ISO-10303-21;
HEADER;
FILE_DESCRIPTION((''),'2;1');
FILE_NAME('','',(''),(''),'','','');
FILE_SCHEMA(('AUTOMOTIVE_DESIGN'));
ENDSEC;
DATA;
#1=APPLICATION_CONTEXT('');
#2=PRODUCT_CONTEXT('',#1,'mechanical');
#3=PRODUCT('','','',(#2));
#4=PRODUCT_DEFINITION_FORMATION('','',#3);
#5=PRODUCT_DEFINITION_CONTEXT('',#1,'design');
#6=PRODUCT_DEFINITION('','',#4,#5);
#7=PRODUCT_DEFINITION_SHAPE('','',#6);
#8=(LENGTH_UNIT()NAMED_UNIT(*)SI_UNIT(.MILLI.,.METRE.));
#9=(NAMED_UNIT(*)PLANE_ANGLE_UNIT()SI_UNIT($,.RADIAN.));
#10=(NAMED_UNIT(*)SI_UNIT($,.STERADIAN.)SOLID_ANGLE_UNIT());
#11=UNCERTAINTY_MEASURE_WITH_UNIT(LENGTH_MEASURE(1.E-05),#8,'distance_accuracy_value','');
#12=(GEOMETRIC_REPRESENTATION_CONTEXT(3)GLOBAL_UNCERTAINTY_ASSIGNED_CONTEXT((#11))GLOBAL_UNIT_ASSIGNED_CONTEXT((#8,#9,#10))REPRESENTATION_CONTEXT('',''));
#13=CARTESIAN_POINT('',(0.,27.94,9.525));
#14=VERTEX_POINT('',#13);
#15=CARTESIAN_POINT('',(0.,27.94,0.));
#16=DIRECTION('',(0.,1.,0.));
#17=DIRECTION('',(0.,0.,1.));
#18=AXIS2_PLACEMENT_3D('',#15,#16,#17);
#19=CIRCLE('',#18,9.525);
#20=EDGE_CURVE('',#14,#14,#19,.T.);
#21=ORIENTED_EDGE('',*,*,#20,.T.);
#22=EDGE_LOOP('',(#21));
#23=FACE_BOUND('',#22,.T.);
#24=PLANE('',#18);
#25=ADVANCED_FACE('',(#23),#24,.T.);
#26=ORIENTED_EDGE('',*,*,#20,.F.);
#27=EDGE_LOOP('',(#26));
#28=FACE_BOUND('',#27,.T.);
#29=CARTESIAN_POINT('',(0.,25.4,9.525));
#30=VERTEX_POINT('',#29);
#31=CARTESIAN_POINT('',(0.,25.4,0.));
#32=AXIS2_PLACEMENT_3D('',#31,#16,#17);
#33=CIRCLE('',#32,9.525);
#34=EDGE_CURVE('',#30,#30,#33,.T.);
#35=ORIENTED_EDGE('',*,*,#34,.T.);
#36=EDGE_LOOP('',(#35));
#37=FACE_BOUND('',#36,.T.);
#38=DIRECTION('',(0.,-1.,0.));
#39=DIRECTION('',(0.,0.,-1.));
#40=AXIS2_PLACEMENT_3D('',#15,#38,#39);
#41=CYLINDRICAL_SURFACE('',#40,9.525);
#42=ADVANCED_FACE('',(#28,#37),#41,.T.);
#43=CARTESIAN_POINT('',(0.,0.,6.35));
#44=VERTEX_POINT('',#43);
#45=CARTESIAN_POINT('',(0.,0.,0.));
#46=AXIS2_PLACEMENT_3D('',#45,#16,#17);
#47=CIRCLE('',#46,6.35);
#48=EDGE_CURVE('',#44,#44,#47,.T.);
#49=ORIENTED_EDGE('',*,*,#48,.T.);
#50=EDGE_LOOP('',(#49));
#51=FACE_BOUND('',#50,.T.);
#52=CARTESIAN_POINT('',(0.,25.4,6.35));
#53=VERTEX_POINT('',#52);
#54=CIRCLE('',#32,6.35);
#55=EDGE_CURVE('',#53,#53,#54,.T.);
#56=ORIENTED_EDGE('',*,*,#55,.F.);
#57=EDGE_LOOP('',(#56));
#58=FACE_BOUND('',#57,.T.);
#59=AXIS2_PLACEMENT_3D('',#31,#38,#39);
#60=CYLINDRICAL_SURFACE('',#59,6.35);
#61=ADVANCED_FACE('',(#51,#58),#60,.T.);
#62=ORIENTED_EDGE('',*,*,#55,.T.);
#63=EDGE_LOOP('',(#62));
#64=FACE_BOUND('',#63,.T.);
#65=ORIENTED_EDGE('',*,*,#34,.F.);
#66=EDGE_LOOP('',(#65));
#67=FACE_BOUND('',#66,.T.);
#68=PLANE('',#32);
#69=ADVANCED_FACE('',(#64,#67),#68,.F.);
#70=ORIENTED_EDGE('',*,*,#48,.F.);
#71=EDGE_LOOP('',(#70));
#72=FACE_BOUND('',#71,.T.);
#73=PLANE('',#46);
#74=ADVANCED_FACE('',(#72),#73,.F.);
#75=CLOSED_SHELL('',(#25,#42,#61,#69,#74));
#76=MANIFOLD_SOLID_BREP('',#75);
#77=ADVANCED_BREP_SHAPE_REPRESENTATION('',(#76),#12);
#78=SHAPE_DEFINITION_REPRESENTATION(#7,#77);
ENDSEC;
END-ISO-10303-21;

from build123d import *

# Parameters (mm, degrees)
SKETCH1_R           = 6.35
BOSS_EXTRUDE1_DEPTH = 25.4
SKETCH2_R           = 9.525
BOSS_EXTRUDE2_DEPTH = 2.54


with BuildPart() as part:
    # Sketch1 → Boss-Extrude1 (new body)
    with BuildSketch(Plane(origin=(0, 0, 0), x_dir=(1, 0, 0), z_dir=(0, 1, 0))):
        Circle(SKETCH1_R)
    extrude(amount=BOSS_EXTRUDE1_DEPTH)

    # Sketch2 → Boss-Extrude2 (add)
    with BuildSketch(Plane(origin=(0, 25.4, 0), x_dir=(1, 0, 0), z_dir=(0, 1, 0))):
        Circle(SKETCH2_R)
    extrude(amount=BOSS_EXTRUDE2_DEPTH)


solid = part.part
